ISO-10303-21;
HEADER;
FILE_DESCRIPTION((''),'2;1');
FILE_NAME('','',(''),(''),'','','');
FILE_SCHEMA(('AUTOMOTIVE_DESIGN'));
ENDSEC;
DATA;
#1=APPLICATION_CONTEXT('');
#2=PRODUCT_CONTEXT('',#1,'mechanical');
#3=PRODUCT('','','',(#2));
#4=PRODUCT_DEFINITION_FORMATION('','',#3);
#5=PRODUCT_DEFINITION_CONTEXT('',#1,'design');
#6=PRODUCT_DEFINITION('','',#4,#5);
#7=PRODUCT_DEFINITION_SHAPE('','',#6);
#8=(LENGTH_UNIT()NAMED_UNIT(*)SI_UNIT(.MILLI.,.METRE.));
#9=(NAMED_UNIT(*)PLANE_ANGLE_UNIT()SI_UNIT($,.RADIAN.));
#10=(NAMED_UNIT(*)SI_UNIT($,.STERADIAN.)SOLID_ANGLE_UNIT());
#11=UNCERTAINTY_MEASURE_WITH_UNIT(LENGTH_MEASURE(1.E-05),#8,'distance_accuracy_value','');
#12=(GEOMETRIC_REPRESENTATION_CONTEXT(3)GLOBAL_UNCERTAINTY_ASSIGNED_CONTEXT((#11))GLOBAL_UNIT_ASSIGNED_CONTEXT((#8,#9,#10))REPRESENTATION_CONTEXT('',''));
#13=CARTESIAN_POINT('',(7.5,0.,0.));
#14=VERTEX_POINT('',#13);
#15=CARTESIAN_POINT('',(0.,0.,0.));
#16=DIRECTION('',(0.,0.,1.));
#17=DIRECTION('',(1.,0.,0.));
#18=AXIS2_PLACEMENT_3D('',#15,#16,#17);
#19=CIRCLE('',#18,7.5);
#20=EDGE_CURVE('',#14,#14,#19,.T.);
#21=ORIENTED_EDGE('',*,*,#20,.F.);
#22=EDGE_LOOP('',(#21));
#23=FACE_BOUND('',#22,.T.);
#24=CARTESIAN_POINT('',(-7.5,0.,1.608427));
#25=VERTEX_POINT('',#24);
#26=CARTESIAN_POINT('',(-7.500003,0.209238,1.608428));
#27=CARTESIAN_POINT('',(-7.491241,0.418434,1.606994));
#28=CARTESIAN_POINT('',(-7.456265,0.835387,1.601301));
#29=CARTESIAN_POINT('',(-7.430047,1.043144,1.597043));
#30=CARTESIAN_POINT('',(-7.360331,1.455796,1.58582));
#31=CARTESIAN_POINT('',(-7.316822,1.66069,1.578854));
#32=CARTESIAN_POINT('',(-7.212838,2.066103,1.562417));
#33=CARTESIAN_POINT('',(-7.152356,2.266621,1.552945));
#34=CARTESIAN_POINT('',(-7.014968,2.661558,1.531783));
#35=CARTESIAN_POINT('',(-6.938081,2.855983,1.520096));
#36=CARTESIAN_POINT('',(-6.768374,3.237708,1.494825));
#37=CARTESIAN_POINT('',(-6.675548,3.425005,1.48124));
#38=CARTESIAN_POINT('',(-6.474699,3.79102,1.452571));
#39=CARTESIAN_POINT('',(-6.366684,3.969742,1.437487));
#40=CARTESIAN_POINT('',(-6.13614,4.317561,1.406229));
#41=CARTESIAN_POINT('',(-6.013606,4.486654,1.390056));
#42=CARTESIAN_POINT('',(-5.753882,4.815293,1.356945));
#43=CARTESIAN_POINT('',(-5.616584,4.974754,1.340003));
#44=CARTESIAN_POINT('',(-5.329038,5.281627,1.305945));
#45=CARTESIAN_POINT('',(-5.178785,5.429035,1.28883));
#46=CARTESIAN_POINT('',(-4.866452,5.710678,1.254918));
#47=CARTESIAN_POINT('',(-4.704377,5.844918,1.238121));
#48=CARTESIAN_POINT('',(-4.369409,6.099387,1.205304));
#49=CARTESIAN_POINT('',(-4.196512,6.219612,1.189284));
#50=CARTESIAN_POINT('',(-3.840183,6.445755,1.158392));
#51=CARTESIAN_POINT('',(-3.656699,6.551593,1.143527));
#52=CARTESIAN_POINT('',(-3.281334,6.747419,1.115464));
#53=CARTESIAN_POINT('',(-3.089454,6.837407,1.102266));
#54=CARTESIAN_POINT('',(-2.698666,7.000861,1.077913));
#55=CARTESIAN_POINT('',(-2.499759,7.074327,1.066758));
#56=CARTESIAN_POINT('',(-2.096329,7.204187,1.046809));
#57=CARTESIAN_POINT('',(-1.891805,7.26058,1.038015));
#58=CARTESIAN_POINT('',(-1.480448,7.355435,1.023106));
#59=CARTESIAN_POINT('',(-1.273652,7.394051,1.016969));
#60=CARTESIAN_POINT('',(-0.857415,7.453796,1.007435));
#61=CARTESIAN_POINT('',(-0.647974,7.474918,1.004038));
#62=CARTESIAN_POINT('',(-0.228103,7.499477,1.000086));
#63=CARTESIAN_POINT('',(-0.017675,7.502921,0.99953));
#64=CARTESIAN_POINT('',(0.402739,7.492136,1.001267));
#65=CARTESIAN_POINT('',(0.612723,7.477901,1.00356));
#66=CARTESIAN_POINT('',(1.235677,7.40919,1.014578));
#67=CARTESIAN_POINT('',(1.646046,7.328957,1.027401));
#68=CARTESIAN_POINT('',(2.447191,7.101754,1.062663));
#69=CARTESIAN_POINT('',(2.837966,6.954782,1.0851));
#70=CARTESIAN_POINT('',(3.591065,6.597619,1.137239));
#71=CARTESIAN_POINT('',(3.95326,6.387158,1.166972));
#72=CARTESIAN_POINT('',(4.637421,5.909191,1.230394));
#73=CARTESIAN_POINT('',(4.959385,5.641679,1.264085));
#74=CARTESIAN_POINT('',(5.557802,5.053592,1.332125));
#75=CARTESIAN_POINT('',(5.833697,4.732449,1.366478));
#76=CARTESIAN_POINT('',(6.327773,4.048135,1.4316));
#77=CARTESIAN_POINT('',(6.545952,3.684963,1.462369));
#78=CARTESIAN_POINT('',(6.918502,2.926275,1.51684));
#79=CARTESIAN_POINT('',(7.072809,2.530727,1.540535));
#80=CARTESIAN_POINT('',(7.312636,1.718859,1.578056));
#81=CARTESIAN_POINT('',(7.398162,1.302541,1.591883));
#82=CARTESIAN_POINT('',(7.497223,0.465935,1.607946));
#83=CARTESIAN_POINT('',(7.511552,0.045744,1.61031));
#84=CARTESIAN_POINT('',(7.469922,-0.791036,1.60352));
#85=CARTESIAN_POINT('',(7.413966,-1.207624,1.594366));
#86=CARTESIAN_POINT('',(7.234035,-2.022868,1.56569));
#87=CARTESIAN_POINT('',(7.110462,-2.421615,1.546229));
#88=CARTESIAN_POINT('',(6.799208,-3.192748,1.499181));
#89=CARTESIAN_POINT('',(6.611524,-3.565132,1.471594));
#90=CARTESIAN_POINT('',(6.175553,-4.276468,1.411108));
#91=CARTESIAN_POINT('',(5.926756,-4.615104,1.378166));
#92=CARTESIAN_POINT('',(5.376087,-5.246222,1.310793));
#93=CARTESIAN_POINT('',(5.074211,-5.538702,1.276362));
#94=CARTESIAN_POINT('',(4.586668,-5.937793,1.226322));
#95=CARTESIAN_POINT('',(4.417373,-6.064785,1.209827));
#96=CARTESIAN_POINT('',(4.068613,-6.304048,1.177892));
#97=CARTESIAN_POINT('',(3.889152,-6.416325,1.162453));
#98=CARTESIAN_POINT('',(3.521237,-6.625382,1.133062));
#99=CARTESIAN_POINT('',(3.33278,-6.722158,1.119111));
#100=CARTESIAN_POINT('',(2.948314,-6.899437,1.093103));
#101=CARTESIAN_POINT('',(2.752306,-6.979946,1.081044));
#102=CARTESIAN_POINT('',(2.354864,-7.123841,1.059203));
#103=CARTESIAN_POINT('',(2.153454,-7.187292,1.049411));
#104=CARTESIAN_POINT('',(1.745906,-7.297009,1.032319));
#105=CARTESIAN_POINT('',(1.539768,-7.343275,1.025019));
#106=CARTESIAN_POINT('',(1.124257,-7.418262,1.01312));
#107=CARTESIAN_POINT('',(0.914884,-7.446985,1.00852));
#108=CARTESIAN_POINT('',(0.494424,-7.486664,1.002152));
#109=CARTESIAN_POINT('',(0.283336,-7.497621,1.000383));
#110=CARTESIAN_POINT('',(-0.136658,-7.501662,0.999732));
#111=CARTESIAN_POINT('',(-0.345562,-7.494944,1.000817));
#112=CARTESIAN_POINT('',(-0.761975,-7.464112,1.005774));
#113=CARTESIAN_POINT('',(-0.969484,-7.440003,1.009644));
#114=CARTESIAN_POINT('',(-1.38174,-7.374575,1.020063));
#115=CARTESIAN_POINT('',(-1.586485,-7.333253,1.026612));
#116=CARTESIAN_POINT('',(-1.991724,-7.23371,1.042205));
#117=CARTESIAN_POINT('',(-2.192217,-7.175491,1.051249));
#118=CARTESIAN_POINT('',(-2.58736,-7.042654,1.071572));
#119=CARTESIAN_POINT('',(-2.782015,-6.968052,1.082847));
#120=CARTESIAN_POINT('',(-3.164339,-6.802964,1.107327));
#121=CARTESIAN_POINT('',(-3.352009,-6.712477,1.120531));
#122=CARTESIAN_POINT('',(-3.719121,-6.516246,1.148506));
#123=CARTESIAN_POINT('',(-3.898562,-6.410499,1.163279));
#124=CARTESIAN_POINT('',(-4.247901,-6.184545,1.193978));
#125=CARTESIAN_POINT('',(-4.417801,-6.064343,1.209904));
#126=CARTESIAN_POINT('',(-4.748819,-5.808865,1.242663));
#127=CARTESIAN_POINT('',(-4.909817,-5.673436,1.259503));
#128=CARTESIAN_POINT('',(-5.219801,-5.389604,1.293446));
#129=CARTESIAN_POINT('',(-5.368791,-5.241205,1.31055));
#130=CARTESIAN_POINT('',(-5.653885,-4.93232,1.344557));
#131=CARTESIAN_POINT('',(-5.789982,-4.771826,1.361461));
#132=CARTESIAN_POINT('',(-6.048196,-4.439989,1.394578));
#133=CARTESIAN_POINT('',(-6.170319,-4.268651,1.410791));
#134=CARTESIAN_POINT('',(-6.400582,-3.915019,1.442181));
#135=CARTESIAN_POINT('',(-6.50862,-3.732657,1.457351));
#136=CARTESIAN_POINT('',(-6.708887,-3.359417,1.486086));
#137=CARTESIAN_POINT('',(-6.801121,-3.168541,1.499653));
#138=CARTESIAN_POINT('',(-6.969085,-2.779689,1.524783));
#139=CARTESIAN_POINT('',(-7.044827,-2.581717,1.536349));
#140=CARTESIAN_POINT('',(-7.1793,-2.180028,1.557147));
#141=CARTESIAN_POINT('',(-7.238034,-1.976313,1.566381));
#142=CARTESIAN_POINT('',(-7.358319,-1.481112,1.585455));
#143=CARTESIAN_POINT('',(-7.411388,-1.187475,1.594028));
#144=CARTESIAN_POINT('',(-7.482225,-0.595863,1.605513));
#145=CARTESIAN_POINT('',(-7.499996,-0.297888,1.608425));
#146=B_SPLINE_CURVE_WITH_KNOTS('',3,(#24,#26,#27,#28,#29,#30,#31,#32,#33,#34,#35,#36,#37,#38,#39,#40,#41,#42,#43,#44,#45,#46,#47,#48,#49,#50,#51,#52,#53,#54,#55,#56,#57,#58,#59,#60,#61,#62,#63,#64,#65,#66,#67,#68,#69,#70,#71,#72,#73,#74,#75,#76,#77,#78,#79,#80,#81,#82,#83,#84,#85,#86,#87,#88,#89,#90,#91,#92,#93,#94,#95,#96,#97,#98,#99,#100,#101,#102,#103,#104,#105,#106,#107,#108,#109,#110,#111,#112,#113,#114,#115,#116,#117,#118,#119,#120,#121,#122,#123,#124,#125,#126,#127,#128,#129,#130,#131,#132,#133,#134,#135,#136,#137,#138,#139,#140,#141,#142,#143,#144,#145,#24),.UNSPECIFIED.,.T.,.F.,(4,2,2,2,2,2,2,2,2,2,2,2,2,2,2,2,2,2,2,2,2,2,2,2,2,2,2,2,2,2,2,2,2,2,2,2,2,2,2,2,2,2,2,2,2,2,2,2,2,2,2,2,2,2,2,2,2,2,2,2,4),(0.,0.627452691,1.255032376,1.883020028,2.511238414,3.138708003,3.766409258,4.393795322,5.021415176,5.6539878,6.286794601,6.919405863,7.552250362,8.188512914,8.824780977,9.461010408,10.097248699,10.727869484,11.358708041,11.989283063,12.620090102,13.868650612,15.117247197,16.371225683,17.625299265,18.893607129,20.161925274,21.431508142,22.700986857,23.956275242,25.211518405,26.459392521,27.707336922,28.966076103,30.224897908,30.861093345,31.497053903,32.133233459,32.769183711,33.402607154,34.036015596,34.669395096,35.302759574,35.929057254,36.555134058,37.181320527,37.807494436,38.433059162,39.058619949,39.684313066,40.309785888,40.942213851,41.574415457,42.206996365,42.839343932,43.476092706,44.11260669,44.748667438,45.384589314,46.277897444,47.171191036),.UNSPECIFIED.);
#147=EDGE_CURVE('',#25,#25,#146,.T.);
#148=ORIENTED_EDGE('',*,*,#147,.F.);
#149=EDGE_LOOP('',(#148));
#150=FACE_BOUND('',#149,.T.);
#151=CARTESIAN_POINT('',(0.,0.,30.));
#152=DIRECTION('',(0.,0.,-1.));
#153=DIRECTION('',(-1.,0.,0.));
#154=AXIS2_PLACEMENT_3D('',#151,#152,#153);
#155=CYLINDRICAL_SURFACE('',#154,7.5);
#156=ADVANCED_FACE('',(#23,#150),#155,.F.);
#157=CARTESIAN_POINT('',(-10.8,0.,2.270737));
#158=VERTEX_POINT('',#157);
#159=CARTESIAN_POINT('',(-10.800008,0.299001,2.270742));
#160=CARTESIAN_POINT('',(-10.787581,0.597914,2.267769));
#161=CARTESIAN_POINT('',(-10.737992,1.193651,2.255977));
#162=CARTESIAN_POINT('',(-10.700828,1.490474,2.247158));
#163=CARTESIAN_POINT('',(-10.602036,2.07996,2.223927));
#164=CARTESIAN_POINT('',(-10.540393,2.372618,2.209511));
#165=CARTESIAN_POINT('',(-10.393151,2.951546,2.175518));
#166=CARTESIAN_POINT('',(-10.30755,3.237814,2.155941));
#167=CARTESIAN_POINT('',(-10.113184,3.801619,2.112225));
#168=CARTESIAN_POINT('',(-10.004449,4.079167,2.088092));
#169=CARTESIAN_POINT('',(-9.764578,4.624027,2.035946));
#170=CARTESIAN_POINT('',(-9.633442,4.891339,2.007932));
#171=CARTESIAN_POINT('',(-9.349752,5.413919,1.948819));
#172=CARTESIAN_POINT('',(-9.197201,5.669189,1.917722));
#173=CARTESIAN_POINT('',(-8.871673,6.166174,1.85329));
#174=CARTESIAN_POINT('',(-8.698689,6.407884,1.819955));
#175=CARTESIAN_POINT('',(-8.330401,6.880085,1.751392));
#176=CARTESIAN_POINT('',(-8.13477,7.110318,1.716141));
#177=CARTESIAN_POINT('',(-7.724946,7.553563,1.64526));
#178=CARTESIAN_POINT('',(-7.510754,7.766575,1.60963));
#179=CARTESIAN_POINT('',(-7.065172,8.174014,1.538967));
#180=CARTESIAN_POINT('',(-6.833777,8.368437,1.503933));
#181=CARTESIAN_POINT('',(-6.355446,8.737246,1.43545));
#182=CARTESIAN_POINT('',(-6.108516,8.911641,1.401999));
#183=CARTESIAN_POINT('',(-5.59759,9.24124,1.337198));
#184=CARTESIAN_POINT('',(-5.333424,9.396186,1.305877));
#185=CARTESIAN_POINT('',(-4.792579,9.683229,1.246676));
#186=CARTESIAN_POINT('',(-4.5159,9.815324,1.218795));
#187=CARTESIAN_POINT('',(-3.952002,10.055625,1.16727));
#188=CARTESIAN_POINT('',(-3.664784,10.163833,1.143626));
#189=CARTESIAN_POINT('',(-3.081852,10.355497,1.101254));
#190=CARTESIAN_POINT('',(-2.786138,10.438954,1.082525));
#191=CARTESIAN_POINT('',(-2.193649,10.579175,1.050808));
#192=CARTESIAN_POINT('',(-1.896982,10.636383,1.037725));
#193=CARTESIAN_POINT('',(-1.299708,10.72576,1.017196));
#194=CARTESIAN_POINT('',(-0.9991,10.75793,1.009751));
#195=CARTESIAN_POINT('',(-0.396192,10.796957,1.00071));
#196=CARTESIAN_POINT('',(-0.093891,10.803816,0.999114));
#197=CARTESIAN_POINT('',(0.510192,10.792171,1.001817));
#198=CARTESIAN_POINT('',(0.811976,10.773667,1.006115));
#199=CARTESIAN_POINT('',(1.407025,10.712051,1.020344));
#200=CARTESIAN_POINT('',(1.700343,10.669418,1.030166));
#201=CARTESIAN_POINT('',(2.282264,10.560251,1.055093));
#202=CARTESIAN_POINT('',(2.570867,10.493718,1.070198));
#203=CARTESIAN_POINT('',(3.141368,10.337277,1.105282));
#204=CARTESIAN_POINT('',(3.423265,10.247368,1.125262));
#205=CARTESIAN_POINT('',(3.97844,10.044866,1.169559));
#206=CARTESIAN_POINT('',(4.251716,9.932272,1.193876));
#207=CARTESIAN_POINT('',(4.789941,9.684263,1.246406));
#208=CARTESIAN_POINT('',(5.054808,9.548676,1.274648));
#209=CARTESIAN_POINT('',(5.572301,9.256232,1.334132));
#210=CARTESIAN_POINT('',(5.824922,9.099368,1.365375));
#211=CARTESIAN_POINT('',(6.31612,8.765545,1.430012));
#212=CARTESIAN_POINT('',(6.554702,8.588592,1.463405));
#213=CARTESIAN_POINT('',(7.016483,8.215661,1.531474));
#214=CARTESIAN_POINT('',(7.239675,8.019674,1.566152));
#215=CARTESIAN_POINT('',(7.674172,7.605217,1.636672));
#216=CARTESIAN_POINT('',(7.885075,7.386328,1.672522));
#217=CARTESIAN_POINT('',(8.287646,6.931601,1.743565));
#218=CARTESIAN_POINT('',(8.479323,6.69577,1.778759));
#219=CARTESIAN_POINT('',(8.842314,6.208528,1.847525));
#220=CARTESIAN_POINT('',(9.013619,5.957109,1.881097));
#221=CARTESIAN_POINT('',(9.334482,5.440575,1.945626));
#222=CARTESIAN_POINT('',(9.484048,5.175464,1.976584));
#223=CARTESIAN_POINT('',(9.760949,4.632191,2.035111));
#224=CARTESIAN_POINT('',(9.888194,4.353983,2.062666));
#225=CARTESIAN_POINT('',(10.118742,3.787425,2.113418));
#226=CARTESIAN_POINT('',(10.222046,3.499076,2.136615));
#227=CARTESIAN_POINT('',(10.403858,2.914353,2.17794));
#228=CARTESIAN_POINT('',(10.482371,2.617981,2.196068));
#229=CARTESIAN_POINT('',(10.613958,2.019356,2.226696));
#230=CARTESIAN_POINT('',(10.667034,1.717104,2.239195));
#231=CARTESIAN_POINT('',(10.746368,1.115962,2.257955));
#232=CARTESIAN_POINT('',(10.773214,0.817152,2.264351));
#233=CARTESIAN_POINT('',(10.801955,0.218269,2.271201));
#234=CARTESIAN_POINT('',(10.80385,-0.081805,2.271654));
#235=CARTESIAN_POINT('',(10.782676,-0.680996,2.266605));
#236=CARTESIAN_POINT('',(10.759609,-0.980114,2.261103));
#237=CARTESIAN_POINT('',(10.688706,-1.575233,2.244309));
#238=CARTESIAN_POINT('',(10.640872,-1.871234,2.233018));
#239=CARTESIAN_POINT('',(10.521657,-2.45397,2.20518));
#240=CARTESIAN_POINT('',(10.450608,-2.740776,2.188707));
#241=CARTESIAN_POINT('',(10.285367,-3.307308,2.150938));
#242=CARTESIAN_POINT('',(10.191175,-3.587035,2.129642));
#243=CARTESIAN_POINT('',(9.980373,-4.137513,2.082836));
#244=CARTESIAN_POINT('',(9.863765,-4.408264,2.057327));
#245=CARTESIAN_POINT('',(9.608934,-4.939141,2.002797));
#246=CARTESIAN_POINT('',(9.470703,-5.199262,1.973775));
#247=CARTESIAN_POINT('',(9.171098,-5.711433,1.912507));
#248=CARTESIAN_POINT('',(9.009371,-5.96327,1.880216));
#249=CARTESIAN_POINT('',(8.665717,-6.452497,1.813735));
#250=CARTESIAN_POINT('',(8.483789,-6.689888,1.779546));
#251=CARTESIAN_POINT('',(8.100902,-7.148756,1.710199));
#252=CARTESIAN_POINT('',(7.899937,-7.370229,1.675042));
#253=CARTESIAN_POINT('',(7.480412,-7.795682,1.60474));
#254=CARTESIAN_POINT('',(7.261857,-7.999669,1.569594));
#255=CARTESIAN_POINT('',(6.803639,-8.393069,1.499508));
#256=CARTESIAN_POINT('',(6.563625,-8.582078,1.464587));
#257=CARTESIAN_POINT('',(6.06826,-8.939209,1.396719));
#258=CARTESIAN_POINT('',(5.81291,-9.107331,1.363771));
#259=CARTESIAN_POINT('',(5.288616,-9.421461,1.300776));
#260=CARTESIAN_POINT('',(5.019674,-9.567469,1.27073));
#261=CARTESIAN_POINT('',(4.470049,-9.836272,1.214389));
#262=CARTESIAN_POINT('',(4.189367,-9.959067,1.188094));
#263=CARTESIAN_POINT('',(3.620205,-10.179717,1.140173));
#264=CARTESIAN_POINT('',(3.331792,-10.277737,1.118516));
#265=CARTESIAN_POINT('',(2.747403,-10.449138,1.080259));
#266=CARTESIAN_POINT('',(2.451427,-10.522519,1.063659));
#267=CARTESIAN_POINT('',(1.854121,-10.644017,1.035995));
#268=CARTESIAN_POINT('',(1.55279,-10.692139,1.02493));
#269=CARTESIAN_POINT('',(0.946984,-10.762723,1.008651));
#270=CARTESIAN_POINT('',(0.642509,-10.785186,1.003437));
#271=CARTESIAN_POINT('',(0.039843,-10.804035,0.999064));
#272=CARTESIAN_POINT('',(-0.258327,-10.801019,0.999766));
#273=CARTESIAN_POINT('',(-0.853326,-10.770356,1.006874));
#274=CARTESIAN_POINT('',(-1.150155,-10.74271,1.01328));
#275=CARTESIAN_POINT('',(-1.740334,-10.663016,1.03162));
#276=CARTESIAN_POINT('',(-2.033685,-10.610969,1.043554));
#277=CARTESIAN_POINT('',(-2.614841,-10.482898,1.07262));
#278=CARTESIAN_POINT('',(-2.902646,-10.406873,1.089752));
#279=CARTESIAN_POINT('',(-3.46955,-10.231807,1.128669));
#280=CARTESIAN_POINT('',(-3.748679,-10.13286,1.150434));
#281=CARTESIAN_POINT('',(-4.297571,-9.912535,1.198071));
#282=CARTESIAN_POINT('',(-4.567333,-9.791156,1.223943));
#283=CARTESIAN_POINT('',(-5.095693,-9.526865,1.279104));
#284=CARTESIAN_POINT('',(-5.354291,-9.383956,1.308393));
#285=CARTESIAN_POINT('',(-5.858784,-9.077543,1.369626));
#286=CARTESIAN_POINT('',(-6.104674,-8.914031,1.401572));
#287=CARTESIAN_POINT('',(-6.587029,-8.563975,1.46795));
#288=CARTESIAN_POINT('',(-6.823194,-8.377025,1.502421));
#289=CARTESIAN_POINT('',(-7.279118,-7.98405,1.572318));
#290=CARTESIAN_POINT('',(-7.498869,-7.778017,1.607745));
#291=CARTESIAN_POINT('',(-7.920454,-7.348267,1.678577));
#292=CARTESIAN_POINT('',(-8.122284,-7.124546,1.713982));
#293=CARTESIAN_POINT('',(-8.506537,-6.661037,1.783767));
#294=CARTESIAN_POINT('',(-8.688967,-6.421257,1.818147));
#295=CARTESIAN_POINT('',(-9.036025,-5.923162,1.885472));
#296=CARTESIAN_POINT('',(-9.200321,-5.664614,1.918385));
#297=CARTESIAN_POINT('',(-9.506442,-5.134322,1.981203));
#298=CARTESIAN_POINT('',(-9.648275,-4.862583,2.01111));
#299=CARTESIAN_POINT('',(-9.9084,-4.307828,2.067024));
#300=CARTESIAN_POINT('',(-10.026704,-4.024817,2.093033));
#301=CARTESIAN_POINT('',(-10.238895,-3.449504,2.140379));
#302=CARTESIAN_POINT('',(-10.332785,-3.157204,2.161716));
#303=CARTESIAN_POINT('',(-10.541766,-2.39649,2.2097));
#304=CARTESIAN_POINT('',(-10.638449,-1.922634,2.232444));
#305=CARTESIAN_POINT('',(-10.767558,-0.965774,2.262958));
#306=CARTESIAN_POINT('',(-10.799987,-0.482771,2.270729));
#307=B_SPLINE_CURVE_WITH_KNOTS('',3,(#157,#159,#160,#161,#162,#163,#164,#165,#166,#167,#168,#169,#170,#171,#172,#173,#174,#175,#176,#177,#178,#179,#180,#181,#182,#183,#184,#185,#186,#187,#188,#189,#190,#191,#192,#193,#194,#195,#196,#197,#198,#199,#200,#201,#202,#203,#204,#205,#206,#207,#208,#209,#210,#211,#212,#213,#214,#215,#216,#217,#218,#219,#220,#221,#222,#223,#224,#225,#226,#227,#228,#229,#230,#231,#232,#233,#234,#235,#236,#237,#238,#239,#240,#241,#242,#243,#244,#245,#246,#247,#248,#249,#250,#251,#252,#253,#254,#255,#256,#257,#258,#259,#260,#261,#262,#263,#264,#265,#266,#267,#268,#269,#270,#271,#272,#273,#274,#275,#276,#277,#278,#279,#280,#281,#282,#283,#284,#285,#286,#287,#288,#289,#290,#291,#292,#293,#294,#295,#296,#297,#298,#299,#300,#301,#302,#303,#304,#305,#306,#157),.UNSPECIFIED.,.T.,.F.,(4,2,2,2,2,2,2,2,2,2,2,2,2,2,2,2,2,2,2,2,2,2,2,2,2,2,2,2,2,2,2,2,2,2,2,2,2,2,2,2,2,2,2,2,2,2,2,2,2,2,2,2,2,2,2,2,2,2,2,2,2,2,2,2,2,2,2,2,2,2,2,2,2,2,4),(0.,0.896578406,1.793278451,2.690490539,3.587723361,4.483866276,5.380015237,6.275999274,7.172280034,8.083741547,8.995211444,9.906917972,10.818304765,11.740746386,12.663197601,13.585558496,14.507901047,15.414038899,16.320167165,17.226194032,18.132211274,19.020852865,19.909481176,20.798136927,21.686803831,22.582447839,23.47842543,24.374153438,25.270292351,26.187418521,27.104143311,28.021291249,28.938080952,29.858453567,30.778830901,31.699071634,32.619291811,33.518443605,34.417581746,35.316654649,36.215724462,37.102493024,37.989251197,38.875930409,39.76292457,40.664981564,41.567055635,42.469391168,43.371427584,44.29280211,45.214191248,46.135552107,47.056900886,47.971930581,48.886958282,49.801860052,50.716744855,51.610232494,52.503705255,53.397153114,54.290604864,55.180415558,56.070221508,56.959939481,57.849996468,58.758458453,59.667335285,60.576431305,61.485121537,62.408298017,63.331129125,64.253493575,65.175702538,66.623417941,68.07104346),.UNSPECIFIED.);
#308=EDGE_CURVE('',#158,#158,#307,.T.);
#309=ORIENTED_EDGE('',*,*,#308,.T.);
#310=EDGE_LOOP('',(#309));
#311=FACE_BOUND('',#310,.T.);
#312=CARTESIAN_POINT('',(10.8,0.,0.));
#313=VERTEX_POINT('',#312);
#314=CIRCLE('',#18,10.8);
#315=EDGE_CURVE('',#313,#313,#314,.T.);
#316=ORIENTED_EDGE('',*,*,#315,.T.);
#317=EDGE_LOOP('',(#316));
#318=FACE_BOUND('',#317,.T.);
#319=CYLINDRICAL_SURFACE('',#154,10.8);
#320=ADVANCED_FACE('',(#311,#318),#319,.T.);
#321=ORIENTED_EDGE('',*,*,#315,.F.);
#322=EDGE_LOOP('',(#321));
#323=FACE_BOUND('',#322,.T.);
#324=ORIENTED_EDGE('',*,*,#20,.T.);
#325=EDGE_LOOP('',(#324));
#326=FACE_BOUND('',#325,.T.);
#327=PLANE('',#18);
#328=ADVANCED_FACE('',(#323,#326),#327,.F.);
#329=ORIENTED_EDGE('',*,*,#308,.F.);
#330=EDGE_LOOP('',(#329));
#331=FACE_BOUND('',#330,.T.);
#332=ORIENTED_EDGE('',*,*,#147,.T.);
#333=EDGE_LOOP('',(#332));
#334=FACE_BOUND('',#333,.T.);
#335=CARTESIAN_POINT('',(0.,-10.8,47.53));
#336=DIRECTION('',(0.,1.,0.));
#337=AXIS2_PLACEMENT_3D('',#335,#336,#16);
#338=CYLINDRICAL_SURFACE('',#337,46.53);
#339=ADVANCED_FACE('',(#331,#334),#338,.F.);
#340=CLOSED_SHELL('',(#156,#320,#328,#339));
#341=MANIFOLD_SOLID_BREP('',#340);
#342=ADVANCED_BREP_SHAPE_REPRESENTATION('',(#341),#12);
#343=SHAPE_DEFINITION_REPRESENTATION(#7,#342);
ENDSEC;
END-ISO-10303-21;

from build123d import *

# Parameters (mm, degrees)
SKETCH1_R               = 10.8
SKETCH1_R_2             = 7.5
BOSS_EXTRUDE1_DEPTH     = 30
CUT_EXTRUDE1_DEPTH      = 34.664224334
CUT_EXTRUDE1_DEPTH_BACK = 34.664224334
SKETCH2_R               = 46.53


with BuildPart() as part:
    # Sketch1 → Boss-Extrude1 (new body)
    with BuildSketch(Plane.XY):
        Circle(SKETCH1_R)
        Circle(SKETCH1_R_2, mode=Mode.SUBTRACT)
    extrude(amount=BOSS_EXTRUDE1_DEPTH)

    # Sketch2 → Cut-Extrude1 (cut, two sides: drawn at the far end of the back side and taken through both)
    with BuildSketch(Plane(origin=(0, 0, 0), x_dir=(1, 0, 0), z_dir=(0, 1, 0)).offset(-CUT_EXTRUDE1_DEPTH_BACK)):
        with Locations((0, -47.53)):
            Circle(SKETCH2_R)
    extrude(amount=CUT_EXTRUDE1_DEPTH + CUT_EXTRUDE1_DEPTH_BACK, mode=Mode.SUBTRACT)


solid = part.part
